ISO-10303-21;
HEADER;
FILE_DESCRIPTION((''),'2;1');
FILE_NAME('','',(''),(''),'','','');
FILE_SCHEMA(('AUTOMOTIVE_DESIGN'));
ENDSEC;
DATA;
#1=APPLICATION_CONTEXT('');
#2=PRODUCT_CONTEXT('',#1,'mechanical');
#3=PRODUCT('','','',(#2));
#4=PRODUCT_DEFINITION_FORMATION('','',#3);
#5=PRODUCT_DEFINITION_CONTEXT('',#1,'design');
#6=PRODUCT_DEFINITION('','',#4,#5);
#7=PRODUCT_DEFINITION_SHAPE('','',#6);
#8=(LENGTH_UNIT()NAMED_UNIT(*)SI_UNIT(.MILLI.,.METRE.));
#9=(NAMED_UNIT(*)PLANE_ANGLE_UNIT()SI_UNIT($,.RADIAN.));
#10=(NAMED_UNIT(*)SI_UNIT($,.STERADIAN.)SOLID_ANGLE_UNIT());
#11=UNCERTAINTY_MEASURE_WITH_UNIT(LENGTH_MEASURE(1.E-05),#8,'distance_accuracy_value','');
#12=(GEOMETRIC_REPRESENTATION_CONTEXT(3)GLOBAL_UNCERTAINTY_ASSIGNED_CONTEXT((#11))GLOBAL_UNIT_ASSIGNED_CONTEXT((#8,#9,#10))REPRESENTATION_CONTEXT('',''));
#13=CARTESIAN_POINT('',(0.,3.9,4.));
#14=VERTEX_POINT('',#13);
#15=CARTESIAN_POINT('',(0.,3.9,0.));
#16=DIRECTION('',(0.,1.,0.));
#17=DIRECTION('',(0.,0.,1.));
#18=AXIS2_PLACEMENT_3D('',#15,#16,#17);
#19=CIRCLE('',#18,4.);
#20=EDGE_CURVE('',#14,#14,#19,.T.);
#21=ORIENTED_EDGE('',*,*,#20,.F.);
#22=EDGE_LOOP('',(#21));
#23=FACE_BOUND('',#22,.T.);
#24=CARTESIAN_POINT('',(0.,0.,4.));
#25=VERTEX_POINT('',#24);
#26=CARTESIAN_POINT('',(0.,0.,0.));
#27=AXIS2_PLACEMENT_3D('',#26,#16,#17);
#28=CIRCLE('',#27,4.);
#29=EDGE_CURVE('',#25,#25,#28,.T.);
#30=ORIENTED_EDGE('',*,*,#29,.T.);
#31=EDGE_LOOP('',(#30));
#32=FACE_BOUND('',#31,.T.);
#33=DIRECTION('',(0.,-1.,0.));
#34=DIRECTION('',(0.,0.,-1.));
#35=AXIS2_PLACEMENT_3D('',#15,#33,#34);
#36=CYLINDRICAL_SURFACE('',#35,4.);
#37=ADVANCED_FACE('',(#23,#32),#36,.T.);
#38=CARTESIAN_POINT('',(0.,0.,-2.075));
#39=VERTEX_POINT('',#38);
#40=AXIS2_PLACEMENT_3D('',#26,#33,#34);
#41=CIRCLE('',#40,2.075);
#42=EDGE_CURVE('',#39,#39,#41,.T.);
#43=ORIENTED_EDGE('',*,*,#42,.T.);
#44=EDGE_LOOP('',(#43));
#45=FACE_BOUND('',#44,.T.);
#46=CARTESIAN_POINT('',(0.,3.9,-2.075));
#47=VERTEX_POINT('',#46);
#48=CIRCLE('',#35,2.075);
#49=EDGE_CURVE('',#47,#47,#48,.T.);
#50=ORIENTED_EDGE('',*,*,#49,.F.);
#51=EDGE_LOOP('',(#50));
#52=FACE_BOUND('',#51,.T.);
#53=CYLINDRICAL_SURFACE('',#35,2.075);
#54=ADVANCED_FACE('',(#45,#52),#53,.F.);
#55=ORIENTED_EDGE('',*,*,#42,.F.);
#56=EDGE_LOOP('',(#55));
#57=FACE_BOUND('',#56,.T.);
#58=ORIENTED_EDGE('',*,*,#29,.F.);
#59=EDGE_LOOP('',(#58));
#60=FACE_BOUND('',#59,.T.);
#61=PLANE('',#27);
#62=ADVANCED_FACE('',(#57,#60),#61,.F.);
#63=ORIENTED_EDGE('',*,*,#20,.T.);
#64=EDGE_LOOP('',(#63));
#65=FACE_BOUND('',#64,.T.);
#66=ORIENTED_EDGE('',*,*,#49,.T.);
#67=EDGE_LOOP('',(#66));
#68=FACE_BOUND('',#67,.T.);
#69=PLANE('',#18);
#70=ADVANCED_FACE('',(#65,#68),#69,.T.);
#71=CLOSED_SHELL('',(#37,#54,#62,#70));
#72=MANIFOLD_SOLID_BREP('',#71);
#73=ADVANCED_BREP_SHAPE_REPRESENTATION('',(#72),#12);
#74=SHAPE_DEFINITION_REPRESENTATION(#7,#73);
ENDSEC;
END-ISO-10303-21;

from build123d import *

# Parameters (mm, degrees)
SKIZZE2_R                       = 4
AUFSATZ_LINEAR_AUSTRAGEN1_DEPTH = 3.9
SKIZZE3_R                       = 2.075
SCHNITT_LINEAR_AUSTRAGEN1_DEPTH = 3.9


with BuildPart() as part:
    # Skizze2 → Aufsatz-Linear austragen1 (new body)
    with BuildSketch(Plane(origin=(0, 0, 0), x_dir=(1, 0, 0), z_dir=(0, 1, 0))):
        with Locations(Location((0, 0, 0), (0, 0, 270))):
            Circle(SKIZZE2_R)
    extrude(amount=AUFSATZ_LINEAR_AUSTRAGEN1_DEPTH)

    # Skizze3 → Schnitt-Linear austragen1 (cut)
    with BuildSketch(Plane.XZ):
        with Locations(Location((0, 0, 0), (0, 0, 270))):
            Circle(SKIZZE3_R)
    extrude(amount=-SCHNITT_LINEAR_AUSTRAGEN1_DEPTH, mode=Mode.SUBTRACT)


solid = part.part
